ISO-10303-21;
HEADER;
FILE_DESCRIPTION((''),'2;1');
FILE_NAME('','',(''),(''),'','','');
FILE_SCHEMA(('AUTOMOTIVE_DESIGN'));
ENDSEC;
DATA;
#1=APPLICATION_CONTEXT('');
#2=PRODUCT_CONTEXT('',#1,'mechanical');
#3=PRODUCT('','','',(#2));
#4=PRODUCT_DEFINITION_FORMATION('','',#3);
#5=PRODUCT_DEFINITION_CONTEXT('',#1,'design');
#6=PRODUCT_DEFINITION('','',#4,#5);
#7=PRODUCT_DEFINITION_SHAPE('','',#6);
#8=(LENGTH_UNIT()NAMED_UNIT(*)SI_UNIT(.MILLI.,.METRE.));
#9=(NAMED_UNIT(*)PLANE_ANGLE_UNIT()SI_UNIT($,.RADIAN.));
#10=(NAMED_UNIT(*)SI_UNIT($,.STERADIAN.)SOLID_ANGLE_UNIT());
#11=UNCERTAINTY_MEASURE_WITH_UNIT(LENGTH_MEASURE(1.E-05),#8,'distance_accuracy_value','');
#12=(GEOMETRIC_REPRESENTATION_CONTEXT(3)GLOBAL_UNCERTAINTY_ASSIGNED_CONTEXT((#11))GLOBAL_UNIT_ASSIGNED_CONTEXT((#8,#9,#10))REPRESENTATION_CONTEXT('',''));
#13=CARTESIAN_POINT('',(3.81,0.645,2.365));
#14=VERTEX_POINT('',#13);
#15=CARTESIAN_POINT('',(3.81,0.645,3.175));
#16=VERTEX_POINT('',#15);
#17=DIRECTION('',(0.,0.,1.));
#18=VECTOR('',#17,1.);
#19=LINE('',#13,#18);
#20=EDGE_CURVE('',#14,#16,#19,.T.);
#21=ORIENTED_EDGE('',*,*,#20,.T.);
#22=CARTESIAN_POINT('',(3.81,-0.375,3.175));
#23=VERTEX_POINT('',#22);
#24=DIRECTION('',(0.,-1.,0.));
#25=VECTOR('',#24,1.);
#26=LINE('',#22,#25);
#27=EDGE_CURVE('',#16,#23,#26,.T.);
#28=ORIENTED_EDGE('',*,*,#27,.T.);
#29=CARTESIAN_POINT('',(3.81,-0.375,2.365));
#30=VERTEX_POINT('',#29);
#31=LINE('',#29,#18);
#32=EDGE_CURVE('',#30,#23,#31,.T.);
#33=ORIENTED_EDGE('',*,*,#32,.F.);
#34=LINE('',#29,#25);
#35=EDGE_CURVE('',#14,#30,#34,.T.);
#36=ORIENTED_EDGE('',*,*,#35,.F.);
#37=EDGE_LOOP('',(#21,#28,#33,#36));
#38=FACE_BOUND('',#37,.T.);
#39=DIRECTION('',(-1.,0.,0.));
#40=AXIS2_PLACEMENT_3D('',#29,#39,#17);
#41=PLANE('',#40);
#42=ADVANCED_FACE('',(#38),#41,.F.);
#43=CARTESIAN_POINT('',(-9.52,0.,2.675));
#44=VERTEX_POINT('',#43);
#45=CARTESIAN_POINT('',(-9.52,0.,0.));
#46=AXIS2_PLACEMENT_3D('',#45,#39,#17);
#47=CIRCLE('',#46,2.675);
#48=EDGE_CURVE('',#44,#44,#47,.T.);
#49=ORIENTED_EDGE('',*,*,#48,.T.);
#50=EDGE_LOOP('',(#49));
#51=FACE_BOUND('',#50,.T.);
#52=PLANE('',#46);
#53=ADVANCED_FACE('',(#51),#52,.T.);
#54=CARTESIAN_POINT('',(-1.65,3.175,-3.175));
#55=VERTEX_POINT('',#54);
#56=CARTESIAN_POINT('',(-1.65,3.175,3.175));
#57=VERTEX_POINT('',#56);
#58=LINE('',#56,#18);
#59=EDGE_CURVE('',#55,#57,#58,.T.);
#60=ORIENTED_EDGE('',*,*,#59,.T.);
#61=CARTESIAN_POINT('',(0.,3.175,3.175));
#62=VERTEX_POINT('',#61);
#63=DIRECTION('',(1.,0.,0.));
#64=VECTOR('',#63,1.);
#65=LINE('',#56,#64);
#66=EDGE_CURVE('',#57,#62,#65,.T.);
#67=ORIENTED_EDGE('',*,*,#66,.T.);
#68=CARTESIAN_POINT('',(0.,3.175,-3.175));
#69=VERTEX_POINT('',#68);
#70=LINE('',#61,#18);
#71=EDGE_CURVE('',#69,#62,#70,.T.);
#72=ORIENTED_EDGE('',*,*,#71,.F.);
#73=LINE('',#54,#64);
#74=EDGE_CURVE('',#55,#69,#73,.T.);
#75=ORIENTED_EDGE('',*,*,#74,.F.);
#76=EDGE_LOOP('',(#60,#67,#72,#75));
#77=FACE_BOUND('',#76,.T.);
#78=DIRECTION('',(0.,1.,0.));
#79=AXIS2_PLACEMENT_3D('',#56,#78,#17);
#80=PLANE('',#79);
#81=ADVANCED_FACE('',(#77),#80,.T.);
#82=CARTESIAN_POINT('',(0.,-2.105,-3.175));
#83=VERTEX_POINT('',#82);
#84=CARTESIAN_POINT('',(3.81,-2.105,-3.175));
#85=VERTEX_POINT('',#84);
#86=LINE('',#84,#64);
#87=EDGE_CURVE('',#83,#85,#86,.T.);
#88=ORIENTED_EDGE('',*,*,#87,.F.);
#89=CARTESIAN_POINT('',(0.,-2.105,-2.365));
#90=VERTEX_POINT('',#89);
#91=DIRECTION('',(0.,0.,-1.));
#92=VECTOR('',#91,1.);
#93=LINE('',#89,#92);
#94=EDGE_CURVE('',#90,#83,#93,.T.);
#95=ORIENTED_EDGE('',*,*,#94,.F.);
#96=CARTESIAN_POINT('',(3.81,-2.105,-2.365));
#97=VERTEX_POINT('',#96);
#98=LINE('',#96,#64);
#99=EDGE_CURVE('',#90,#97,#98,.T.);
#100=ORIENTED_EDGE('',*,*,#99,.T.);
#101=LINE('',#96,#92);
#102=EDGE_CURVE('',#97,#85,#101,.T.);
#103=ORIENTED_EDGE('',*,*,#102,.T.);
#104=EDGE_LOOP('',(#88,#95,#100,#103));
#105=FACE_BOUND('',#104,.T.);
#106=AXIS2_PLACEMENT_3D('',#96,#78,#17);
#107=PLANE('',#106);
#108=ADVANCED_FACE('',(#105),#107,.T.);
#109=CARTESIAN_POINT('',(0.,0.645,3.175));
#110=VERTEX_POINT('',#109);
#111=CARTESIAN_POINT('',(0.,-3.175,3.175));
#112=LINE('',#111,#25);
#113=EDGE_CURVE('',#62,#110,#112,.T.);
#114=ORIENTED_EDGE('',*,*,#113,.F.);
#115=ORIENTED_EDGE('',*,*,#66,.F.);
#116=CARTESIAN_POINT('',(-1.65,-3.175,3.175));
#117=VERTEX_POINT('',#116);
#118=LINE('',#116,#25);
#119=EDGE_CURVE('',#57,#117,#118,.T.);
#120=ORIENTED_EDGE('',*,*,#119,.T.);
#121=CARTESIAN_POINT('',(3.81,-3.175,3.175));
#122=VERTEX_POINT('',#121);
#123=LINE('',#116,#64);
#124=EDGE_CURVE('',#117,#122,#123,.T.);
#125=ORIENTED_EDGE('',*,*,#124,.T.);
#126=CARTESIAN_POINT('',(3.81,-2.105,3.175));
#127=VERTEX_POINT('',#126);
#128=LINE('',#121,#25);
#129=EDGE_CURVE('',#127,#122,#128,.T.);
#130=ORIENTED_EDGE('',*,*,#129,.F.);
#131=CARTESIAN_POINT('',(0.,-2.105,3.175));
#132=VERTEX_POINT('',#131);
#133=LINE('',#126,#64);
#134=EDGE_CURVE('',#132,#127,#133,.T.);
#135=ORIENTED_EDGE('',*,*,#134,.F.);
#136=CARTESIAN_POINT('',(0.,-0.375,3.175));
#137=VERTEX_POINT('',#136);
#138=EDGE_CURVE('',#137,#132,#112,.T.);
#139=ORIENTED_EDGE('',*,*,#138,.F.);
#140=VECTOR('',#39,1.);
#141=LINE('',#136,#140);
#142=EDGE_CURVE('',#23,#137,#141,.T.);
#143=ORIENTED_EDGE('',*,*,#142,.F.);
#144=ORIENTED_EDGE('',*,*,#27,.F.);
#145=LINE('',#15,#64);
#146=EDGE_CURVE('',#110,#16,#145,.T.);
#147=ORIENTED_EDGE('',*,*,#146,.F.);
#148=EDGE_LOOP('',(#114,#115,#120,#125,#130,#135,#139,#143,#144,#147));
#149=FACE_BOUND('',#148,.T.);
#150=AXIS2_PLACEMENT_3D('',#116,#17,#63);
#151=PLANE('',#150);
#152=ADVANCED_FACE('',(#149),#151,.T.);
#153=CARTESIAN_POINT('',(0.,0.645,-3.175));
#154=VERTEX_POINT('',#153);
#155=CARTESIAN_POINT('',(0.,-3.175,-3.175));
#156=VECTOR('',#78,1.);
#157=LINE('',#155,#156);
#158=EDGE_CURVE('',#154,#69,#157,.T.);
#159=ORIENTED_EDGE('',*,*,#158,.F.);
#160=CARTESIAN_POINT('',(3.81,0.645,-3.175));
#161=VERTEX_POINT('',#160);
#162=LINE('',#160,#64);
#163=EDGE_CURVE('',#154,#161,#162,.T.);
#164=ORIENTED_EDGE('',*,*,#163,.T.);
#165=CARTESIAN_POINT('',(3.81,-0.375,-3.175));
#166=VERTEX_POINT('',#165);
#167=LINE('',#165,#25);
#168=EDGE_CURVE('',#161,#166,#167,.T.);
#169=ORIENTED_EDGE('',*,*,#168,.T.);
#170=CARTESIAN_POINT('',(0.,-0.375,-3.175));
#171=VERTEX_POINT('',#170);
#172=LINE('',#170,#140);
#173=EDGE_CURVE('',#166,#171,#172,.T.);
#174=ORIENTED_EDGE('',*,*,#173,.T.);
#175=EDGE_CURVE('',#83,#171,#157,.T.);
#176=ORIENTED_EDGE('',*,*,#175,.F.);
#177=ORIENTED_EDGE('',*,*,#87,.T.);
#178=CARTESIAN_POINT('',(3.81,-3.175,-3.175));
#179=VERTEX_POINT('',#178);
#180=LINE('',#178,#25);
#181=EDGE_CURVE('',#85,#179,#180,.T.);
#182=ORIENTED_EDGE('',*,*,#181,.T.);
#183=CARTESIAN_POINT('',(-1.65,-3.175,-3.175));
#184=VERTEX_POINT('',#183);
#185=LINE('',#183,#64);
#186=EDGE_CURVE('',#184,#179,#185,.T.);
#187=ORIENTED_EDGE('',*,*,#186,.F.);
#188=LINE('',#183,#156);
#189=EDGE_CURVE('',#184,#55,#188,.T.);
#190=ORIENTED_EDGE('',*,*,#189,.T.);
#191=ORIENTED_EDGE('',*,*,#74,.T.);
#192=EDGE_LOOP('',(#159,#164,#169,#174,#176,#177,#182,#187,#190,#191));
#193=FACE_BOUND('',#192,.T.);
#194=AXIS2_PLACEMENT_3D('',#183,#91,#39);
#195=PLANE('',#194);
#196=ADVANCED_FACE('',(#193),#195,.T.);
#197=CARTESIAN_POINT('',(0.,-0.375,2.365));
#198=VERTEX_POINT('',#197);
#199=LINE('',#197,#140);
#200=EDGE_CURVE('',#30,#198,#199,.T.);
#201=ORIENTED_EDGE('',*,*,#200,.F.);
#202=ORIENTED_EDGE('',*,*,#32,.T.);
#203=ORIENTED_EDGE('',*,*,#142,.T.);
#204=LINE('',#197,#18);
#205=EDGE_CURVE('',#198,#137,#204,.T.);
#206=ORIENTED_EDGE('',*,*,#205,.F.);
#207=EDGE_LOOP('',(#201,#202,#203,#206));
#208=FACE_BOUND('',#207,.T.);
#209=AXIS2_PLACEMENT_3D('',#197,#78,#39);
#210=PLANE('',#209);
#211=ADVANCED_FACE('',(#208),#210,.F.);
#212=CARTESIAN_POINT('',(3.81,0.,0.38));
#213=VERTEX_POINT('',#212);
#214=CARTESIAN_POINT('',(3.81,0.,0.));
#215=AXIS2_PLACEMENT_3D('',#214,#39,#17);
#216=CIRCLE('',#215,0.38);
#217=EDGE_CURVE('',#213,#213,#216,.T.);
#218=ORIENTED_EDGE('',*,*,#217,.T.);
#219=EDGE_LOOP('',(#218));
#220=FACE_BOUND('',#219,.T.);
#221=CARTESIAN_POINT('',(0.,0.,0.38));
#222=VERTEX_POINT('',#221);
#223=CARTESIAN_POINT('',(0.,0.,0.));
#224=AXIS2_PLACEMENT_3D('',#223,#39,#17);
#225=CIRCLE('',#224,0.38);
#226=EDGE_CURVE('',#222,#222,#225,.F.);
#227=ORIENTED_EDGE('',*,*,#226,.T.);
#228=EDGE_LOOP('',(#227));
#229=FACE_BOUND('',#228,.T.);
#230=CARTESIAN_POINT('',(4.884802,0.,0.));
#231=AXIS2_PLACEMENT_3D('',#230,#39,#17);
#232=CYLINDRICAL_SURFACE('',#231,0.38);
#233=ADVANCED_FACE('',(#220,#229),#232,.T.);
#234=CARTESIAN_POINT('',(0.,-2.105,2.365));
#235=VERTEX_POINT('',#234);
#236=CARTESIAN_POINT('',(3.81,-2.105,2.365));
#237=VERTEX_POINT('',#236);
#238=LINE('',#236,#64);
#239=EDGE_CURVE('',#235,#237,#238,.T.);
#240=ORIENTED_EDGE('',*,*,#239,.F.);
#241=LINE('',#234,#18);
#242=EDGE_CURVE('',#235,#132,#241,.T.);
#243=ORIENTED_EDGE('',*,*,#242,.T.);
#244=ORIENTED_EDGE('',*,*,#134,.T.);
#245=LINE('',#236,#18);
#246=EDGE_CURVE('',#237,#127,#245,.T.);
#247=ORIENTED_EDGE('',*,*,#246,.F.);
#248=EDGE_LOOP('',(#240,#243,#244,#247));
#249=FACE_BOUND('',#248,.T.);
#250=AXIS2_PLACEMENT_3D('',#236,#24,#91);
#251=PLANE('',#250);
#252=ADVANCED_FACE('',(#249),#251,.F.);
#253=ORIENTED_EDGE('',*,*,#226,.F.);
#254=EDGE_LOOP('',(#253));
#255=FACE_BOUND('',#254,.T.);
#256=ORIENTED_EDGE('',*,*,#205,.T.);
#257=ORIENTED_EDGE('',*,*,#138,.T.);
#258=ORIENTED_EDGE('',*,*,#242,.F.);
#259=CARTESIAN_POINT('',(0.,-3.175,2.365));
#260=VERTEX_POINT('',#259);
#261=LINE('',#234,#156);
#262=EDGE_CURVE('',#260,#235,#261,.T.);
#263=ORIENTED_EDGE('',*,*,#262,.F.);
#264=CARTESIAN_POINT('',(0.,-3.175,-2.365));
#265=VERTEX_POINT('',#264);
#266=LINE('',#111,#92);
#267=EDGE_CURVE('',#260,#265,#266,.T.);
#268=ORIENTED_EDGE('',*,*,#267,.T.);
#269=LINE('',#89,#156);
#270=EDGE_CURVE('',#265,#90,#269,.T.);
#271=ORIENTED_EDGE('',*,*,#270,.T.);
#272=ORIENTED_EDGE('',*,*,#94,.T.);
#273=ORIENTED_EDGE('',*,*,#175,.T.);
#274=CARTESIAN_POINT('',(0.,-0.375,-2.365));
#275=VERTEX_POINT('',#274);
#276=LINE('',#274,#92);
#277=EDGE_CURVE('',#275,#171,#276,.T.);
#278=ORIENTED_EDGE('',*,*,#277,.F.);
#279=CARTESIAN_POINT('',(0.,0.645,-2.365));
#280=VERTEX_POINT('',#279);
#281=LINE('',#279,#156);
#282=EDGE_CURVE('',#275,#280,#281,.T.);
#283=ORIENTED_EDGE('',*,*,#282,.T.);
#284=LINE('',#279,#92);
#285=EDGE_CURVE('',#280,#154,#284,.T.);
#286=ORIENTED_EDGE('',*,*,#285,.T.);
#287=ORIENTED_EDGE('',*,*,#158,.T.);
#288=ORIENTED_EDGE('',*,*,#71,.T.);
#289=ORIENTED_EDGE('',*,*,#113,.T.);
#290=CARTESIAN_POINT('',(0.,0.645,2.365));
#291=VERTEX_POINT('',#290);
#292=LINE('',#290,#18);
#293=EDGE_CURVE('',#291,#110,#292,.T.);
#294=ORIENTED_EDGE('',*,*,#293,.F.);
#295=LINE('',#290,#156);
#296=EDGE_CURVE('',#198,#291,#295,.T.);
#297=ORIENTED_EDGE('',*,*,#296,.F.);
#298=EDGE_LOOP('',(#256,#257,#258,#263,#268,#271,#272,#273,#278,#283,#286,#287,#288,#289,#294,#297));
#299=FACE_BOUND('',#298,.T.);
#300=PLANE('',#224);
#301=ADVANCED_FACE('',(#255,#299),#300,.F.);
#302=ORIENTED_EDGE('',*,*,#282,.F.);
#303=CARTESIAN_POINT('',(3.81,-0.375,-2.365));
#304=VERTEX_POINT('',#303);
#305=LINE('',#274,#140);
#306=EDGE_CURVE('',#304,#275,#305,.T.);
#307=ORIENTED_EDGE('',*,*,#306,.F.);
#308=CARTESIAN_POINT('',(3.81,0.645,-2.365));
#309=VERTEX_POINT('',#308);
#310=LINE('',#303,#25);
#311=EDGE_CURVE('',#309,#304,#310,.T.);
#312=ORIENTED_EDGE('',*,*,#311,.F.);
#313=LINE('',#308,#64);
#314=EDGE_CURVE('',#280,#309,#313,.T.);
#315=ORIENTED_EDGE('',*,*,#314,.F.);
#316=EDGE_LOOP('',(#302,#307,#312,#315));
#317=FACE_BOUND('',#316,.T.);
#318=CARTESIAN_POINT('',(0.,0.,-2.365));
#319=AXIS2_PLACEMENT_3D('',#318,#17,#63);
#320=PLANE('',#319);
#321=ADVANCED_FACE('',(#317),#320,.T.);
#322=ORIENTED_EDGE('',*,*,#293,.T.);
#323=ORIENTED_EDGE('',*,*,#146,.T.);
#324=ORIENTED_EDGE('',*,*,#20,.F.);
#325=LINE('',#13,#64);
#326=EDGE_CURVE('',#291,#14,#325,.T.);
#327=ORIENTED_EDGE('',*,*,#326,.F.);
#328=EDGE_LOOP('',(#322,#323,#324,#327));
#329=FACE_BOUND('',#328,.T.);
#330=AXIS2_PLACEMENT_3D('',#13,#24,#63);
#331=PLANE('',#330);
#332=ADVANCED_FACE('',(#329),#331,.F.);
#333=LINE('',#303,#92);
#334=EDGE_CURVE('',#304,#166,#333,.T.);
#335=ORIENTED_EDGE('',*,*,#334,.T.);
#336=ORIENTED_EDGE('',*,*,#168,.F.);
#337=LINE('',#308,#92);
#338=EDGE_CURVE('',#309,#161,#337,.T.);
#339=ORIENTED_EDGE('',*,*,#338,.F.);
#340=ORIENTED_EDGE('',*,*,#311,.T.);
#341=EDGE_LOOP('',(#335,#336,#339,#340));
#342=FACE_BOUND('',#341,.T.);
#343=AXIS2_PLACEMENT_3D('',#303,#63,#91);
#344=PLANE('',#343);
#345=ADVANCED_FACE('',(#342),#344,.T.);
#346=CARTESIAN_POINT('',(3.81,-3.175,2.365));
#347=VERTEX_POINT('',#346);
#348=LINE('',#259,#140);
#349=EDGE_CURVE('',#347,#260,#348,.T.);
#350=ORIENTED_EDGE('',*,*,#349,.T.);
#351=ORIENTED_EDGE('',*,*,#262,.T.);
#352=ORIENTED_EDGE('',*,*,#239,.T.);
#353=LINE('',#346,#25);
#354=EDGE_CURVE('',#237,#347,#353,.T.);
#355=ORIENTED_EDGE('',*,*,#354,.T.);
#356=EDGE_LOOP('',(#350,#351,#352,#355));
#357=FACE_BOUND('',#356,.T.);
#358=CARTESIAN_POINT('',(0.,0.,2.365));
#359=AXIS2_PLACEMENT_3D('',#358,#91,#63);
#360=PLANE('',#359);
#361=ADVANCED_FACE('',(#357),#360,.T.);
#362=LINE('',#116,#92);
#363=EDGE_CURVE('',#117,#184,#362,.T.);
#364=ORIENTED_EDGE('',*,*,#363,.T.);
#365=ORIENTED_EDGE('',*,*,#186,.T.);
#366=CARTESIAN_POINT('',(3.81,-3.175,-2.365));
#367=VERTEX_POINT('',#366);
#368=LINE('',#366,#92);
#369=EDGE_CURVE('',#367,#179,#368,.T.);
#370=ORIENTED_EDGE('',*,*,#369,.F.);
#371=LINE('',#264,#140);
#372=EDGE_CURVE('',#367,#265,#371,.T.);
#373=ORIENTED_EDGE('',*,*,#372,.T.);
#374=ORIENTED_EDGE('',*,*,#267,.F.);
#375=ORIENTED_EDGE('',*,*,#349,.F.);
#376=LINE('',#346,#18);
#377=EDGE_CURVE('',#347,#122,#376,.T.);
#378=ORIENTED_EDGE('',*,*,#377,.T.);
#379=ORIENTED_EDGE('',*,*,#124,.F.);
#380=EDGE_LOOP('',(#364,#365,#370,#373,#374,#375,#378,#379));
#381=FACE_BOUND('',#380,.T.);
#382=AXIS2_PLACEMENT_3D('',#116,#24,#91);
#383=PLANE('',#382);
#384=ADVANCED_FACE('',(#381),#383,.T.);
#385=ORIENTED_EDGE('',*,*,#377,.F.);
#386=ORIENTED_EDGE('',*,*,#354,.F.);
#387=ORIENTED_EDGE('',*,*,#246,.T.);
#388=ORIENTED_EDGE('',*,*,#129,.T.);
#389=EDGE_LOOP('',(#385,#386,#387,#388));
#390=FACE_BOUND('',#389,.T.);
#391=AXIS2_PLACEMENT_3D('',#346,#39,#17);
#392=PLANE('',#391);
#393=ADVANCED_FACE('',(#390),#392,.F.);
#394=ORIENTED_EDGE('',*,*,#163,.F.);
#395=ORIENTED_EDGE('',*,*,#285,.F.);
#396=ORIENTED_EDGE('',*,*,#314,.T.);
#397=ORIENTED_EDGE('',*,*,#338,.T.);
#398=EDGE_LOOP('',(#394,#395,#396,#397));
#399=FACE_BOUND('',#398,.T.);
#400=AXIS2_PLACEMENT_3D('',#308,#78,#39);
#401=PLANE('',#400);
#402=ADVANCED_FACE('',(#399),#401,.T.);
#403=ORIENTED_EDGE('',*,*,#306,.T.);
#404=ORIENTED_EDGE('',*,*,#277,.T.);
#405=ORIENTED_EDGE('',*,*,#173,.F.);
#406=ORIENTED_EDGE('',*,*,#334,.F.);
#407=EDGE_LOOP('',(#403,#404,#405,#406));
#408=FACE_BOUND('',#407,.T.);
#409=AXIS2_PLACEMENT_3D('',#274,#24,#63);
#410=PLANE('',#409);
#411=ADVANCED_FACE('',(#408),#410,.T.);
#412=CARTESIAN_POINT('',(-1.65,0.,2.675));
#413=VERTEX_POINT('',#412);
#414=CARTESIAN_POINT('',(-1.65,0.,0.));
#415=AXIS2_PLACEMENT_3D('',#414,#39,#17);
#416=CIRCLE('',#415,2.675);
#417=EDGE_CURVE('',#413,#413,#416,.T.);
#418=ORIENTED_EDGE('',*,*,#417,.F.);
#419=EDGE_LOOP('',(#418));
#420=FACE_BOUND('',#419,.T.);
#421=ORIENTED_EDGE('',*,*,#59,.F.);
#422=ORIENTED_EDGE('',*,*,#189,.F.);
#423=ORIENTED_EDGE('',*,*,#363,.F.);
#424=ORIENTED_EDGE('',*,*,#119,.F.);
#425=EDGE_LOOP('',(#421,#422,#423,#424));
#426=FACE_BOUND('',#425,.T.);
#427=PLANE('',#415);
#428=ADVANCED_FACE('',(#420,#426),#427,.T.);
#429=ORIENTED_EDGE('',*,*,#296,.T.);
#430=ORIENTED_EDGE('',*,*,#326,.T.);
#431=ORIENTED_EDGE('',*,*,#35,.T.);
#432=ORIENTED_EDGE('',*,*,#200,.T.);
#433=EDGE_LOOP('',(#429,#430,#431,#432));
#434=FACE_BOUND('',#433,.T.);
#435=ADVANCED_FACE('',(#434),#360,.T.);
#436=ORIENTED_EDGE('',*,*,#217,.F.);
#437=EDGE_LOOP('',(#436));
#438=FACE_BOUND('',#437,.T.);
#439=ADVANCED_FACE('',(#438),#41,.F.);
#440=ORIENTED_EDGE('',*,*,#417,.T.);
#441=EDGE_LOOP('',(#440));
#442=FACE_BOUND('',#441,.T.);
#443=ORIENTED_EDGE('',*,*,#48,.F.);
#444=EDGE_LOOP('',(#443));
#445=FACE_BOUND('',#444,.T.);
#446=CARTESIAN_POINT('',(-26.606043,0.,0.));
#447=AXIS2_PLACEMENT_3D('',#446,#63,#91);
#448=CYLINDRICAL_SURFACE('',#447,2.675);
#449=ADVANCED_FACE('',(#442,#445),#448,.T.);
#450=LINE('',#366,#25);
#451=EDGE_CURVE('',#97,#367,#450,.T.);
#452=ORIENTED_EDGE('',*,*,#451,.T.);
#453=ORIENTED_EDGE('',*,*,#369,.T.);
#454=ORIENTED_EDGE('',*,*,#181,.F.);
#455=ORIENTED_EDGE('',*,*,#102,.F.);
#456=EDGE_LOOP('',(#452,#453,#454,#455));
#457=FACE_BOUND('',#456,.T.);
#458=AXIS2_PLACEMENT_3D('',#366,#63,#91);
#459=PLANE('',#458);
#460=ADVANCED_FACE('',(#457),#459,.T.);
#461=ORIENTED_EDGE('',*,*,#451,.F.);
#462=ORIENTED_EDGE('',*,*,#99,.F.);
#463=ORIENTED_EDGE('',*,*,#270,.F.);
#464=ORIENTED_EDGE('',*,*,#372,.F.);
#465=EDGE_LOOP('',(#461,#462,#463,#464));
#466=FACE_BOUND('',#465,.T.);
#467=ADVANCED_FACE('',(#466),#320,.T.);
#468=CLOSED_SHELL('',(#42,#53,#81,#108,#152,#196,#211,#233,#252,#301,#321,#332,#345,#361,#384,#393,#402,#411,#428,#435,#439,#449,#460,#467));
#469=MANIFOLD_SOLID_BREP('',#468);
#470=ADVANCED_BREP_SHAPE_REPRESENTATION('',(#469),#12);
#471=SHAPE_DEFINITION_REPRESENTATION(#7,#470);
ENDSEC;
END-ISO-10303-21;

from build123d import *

# Parameters (mm, degrees)
SKETCH1_W           = 6.35
SKETCH1_H           = 6.35
BOSS_EXTRUDE1_DEPTH = 1.65
SKETCH2_W           = 3.81
SKETCH2_H           = 1.07
SKETCH2_H_2         = 1.02
BOSS_EXTRUDE2_DEPTH = 0.81
SKETCH3_R           = 0.38
BOSS_EXTRUDE3_DEPTH = 3.81
SKETCH4_R           = 2.675
BOSS_EXTRUDE4_DEPTH = 7.87


with BuildPart() as part:
    # Sketch1 → Boss-Extrude1 (new body)
    with BuildSketch(Plane(origin=(0, 0, 0), x_dir=(0, 0, -1), z_dir=(1, 0, 0))):
        Rectangle(SKETCH1_W, SKETCH1_H)
    extrude(amount=-BOSS_EXTRUDE1_DEPTH)

    # Sketch2 → Boss-Extrude2 (add)
    with BuildSketch(Plane(origin=(0, 0, -3.175), x_dir=(-1, 0, 0), z_dir=(0, 0, -1))):
        with Locations((-1.905, -2.64)):
            Rectangle(SKETCH2_W, SKETCH2_H)
        with Locations((-1.905, 0.135)):
            Rectangle(SKETCH2_W, SKETCH2_H_2)
    boss_extrude2 = extrude(amount=-BOSS_EXTRUDE2_DEPTH)

    # Mirror1: Boss-Extrude2 across plane
    add(boss_extrude2.mirror(Plane.XY))

    # Sketch3 → Boss-Extrude3 (add)
    with BuildSketch(Plane(origin=(0, 0, 0), x_dir=(0, 0, -1), z_dir=(1, 0, 0))):
        with Locations(Location((0, 0, 0), (0, 0, 180))):  # turned: the seam where the file's is
            Circle(SKETCH3_R)
    extrude(amount=BOSS_EXTRUDE3_DEPTH)

    # Sketch4 → Boss-Extrude4 (add)
    with BuildSketch(Plane.ZY.offset(1.65)):
        Circle(SKETCH4_R)
    extrude(amount=BOSS_EXTRUDE4_DEPTH)


solid = part.part
